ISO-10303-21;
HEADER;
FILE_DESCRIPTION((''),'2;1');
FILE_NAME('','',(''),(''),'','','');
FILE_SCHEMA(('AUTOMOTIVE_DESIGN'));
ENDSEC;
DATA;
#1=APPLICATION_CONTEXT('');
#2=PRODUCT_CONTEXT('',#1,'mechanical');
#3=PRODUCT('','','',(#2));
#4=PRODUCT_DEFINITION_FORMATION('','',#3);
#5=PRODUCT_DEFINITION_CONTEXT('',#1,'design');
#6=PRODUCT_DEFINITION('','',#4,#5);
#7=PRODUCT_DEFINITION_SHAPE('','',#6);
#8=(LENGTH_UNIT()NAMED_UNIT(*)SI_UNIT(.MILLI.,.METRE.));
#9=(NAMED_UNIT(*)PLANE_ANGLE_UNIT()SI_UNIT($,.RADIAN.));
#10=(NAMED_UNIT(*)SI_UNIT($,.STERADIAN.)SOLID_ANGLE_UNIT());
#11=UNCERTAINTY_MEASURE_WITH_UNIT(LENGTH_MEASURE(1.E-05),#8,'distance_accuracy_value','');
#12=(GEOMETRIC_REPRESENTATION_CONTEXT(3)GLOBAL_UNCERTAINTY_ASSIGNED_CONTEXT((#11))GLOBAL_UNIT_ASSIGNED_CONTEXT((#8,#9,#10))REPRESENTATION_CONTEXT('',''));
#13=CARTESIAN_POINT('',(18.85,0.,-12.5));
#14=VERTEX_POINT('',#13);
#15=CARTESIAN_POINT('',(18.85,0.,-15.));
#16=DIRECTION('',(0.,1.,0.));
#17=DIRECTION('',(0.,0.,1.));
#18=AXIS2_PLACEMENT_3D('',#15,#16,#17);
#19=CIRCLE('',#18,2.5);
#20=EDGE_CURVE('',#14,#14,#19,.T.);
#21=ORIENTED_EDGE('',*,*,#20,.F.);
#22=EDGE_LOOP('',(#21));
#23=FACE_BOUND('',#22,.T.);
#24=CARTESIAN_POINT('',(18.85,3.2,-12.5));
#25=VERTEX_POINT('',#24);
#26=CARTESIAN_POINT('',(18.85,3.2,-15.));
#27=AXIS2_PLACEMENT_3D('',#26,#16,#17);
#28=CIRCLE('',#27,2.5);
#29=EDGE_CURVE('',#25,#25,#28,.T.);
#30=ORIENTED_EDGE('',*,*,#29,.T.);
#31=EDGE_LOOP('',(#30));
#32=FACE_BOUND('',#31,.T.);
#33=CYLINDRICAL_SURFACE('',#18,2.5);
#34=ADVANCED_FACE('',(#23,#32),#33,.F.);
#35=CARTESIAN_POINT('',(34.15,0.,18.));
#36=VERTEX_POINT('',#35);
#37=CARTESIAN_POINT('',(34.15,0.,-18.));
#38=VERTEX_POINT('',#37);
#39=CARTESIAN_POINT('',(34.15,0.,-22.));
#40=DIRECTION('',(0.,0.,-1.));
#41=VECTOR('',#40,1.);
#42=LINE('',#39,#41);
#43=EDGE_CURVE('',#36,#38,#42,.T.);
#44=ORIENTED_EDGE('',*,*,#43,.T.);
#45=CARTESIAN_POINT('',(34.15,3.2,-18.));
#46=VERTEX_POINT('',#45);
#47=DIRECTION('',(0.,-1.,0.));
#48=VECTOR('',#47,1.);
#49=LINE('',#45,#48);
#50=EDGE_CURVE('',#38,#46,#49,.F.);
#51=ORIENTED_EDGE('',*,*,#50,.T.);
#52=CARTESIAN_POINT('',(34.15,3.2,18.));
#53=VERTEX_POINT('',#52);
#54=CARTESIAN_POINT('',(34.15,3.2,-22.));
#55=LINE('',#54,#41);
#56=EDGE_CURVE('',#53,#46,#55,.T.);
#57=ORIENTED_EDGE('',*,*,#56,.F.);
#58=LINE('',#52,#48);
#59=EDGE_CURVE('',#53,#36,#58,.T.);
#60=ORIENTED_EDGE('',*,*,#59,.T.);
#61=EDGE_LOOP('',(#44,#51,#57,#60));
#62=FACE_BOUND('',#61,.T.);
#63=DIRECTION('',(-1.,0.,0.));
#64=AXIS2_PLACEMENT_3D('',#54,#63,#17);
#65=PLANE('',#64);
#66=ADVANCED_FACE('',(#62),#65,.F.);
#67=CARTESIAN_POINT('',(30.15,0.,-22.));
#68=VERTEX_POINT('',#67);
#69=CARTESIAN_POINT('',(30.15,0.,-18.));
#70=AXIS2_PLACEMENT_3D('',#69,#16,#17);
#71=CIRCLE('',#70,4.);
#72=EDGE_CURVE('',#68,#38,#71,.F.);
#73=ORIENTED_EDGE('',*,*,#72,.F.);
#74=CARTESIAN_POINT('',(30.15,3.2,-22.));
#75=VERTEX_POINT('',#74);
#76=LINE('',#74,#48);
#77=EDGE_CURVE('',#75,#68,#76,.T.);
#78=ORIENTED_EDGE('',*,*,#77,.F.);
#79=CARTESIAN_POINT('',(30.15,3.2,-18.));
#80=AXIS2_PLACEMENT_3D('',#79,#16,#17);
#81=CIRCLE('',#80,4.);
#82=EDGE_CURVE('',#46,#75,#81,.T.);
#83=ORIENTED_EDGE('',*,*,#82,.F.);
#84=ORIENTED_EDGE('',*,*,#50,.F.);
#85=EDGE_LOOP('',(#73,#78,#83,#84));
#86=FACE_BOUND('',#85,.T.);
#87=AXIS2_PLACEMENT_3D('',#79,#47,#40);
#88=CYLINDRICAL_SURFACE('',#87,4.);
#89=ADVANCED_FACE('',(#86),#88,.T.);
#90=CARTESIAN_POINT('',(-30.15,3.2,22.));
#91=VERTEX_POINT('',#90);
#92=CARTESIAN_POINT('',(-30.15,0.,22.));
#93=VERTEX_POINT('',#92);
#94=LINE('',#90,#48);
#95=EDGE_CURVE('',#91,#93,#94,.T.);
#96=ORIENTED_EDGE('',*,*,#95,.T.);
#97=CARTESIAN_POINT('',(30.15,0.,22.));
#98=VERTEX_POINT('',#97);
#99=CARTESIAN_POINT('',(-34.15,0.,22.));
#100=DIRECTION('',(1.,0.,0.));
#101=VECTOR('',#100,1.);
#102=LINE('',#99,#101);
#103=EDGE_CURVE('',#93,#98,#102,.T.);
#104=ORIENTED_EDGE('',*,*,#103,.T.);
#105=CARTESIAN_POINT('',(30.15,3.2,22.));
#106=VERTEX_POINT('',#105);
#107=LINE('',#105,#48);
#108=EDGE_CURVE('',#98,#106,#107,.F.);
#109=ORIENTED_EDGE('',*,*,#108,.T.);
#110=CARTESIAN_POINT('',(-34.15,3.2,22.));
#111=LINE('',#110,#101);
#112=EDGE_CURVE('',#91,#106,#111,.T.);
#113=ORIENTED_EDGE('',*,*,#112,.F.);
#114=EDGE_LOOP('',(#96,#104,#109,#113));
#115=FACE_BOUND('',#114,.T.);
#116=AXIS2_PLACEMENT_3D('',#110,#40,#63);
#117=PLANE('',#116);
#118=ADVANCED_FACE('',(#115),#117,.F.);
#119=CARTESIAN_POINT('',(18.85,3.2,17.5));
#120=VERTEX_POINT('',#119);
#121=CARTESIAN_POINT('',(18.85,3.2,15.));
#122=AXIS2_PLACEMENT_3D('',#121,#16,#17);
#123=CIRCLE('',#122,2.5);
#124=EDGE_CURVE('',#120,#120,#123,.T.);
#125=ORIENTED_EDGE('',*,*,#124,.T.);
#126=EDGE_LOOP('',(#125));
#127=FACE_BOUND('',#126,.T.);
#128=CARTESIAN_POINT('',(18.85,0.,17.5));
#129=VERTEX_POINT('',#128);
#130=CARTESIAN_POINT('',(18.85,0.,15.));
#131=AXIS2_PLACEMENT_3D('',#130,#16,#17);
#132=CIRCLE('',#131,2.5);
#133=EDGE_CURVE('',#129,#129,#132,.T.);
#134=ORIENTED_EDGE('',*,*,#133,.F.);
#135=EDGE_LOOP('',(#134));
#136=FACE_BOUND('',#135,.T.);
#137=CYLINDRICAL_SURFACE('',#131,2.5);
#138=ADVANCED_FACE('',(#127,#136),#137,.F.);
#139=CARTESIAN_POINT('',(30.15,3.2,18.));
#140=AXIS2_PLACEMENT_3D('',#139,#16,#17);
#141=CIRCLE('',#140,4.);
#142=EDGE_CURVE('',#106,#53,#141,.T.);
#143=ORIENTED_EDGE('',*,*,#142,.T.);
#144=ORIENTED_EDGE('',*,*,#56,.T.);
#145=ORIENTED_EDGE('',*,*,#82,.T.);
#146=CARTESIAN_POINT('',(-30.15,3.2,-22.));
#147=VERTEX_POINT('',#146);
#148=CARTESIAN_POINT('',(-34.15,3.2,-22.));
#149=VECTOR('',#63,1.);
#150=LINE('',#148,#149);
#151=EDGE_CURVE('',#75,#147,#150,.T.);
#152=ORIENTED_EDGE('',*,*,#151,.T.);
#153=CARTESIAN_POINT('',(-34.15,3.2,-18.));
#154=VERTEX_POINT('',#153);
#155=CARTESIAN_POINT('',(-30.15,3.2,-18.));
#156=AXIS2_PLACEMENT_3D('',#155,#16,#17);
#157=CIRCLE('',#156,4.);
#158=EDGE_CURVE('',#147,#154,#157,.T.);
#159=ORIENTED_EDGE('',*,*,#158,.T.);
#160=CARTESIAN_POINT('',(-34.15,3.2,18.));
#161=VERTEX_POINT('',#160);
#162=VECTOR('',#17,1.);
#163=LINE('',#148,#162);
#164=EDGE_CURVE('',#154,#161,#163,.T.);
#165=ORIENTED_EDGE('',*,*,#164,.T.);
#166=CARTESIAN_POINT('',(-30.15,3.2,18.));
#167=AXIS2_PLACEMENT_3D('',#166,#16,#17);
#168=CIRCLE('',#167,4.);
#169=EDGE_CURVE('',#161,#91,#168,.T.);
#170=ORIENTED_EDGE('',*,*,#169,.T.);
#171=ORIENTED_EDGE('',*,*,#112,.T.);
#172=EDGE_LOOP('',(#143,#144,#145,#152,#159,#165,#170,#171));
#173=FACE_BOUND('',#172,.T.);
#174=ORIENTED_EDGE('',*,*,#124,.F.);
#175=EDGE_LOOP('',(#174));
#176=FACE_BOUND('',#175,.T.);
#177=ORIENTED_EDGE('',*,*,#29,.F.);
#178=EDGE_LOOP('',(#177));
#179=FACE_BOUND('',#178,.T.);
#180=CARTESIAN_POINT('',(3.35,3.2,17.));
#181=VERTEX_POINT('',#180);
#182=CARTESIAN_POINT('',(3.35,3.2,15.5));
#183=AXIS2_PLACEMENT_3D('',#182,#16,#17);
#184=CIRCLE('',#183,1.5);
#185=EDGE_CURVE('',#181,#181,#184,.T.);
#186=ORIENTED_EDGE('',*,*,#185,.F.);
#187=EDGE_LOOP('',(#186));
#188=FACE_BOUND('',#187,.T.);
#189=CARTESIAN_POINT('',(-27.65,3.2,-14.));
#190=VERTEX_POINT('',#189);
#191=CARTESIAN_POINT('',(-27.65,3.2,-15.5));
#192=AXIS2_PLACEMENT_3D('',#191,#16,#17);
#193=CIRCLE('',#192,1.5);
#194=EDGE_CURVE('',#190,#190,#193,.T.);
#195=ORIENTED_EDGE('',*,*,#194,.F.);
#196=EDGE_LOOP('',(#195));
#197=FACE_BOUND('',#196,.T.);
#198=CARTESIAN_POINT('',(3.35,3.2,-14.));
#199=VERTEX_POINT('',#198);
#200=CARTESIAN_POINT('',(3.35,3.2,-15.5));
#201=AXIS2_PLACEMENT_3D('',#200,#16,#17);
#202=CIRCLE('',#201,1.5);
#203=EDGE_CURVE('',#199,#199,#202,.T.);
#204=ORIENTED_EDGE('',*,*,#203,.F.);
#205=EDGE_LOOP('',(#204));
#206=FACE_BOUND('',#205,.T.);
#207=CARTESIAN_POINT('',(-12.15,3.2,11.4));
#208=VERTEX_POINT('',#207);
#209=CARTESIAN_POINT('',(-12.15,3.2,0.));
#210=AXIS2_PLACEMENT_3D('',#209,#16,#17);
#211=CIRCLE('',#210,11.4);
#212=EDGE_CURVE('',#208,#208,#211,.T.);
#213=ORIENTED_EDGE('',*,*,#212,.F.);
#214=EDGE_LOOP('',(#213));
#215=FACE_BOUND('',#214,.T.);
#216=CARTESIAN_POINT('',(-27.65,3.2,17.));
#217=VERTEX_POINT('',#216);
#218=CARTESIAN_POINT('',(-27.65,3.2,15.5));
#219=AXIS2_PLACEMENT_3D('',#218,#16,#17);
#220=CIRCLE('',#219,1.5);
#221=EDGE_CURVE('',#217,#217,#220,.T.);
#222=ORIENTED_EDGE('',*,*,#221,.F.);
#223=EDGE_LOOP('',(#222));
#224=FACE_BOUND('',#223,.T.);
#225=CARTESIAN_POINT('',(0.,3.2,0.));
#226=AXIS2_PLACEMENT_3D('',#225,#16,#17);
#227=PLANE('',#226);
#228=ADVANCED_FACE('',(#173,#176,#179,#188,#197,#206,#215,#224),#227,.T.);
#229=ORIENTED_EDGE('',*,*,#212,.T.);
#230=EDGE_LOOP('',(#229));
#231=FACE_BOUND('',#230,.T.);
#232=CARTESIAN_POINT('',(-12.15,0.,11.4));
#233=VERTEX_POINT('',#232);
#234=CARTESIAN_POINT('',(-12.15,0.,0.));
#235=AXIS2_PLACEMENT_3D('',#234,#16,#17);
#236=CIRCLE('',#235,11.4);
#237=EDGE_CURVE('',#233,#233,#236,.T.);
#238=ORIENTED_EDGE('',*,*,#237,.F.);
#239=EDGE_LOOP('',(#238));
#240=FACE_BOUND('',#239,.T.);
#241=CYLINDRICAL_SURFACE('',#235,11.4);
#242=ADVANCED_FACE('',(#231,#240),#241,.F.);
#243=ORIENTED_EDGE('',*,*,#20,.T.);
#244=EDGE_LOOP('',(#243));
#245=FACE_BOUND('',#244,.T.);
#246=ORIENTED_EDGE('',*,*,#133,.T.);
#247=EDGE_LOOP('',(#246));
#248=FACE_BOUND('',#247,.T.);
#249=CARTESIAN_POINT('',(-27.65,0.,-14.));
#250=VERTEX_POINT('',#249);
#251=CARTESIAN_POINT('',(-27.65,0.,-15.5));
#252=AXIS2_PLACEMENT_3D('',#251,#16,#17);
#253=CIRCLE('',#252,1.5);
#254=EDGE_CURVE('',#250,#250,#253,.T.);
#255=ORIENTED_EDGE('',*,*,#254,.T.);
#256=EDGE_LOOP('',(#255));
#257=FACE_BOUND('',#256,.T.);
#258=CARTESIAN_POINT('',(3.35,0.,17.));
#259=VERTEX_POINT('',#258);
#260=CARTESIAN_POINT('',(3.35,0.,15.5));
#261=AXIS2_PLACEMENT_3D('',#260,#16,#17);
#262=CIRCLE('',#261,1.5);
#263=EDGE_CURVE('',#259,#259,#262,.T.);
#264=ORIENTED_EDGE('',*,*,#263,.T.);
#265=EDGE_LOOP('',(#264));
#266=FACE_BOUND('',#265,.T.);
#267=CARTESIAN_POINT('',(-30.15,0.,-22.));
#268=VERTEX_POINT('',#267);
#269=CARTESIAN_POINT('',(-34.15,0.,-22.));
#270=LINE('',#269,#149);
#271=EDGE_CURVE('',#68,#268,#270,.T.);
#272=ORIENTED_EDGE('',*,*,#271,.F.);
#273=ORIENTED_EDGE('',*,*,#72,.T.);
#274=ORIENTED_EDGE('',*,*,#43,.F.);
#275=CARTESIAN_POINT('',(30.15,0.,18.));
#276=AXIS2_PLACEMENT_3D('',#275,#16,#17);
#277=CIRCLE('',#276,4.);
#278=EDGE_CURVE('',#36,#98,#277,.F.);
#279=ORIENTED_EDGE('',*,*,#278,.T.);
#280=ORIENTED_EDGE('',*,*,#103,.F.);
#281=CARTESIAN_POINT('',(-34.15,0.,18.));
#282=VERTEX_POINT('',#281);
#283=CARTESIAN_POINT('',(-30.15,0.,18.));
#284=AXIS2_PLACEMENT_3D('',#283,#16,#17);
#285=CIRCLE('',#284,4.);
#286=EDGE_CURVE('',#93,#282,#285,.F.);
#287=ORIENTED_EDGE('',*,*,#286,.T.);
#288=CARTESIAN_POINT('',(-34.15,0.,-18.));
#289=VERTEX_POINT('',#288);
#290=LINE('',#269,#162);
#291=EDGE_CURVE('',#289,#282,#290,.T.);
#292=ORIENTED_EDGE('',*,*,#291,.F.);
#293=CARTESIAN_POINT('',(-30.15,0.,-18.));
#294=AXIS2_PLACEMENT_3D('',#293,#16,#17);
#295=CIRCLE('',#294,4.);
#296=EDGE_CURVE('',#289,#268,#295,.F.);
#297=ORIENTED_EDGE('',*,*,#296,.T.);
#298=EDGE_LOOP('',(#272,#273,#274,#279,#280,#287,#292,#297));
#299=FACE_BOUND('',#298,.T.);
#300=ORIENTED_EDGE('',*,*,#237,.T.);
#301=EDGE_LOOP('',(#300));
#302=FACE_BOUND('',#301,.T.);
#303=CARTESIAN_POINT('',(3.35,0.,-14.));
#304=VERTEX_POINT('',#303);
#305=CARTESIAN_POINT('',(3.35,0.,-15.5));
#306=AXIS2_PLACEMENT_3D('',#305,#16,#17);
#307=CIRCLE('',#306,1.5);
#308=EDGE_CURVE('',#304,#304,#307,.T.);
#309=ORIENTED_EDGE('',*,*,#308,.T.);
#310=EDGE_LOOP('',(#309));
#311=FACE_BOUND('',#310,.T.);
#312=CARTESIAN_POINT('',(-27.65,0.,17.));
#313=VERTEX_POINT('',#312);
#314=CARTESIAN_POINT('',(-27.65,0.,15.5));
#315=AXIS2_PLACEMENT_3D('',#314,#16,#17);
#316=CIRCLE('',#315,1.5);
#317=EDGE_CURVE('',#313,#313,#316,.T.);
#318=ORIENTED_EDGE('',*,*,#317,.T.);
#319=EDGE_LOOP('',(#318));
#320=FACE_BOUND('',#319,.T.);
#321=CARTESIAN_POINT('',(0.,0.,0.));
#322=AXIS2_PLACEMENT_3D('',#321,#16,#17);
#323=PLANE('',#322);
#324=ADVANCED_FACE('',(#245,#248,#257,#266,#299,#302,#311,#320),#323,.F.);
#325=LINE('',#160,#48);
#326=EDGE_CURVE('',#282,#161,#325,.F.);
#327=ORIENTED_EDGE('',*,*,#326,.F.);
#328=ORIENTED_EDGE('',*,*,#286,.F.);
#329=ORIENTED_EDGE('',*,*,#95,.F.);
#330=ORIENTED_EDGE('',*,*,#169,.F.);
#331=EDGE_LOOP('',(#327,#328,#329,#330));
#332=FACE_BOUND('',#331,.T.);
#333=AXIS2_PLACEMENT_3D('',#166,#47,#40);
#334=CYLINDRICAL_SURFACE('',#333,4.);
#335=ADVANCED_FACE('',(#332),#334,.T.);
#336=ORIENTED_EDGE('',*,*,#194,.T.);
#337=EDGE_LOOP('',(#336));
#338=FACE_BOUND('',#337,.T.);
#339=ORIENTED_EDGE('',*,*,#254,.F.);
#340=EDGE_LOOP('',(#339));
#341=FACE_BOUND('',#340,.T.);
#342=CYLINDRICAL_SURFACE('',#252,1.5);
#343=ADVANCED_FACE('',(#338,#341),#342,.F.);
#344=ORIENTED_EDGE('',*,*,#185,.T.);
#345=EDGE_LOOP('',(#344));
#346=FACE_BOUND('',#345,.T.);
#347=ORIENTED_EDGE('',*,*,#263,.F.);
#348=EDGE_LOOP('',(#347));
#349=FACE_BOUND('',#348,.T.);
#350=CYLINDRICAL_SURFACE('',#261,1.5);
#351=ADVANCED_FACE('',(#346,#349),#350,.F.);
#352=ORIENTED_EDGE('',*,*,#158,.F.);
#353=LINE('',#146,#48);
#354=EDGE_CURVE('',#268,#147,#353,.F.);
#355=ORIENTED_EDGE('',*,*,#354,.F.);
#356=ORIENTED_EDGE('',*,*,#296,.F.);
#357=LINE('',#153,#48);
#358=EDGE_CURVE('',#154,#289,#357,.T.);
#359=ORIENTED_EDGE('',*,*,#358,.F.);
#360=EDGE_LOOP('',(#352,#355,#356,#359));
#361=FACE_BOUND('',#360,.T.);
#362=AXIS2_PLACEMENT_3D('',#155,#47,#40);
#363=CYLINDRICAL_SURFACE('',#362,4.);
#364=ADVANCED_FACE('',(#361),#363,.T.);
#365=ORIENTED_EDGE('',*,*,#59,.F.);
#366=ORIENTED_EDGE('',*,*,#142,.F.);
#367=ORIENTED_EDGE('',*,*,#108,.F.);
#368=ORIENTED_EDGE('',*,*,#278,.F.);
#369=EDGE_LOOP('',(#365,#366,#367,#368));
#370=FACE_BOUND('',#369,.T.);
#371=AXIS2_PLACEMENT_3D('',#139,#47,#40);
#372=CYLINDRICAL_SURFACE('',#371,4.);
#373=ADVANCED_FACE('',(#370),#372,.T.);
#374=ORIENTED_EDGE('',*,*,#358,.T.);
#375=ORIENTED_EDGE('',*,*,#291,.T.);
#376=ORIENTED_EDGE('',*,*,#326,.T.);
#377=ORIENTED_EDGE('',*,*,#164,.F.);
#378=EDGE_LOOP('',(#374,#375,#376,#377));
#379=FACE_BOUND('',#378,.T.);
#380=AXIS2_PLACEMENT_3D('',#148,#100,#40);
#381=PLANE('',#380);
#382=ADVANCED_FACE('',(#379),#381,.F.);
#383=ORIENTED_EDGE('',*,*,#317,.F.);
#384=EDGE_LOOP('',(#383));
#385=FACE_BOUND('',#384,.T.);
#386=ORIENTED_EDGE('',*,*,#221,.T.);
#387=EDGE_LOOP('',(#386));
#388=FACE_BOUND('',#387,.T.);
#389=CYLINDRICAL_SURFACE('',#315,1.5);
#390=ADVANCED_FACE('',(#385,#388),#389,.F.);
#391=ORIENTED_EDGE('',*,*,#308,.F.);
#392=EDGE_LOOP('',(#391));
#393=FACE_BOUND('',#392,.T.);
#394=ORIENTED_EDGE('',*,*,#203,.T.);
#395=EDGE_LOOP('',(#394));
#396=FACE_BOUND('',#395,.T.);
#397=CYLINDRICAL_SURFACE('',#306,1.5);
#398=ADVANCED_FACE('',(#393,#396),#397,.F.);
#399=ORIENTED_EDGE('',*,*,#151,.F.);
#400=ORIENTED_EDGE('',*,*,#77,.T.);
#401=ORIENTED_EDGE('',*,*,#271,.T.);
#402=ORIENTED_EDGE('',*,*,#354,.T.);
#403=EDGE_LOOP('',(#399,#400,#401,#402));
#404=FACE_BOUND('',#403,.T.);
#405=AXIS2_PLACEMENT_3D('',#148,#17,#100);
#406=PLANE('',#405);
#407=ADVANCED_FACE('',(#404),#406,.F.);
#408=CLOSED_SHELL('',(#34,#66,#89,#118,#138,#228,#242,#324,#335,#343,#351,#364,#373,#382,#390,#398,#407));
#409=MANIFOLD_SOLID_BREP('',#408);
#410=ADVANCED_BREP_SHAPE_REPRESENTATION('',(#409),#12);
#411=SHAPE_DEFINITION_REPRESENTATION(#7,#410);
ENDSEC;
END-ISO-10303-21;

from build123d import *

# Parameters (mm, degrees)
SKETCH1_W           = 68.3
SKETCH1_H           = 44
BOSS_EXTRUDE1_DEPTH = 3.2
SKETCH2_R           = 11.4
SKETCH2_R_2         = 2.5
SKETCH2_R_3         = 1.5
CUT_EXTRUDE2_DEPTH  = 41.748772988
FILLET1_R           = 4


with BuildPart() as part:
    # Sketch1 → Boss-Extrude1 (new body)
    with BuildSketch(Plane(origin=(0, 0, 0), x_dir=(1, 0, 0), z_dir=(0, 1, 0))):
        Rectangle(SKETCH1_W, SKETCH1_H)
    extrude(amount=BOSS_EXTRUDE1_DEPTH)

    # Sketch2 → Cut-Extrude2 (cut, through all)
    with BuildSketch(Plane(origin=(0, 3.2, 0), x_dir=(1, 0, 0), z_dir=(0, 1, 0))):
        with Locations(Location((-12.15, 0, 0), (0, 0, 270))):
            Circle(SKETCH2_R)
        with Locations(Location((18.85, 15, 0), (0, 0, 270))):
            Circle(SKETCH2_R_2)
        with Locations(Location((18.85, -15, 0), (0, 0, 270))):
            Circle(SKETCH2_R_2)
        with Locations(Location((-27.65, 15.5, 0), (0, 0, 270))):
            Circle(SKETCH2_R_3)
        with Locations(Location((3.35, 15.5, 0), (0, 0, 270))):
            Circle(SKETCH2_R_3)
        with Locations(Location((3.35, -15.5, 0), (0, 0, 270))):
            Circle(SKETCH2_R_3)
        with Locations(Location((-27.65, -15.5, 0), (0, 0, 270))):
            Circle(SKETCH2_R_3)
    extrude(amount=-CUT_EXTRUDE2_DEPTH, mode=Mode.SUBTRACT)

    # Fillet1
    fillet1_edges = [part.edges().sort_by_distance(p)[0] for p in [
        (34.15, 1.6, 22),
        (-34.15, 1.6, 22),
        (-34.15, 1.6, -22),
        (34.15, 1.6, -22),
    ]]
    fillet(fillet1_edges, radius=FILLET1_R)


solid = part.part
